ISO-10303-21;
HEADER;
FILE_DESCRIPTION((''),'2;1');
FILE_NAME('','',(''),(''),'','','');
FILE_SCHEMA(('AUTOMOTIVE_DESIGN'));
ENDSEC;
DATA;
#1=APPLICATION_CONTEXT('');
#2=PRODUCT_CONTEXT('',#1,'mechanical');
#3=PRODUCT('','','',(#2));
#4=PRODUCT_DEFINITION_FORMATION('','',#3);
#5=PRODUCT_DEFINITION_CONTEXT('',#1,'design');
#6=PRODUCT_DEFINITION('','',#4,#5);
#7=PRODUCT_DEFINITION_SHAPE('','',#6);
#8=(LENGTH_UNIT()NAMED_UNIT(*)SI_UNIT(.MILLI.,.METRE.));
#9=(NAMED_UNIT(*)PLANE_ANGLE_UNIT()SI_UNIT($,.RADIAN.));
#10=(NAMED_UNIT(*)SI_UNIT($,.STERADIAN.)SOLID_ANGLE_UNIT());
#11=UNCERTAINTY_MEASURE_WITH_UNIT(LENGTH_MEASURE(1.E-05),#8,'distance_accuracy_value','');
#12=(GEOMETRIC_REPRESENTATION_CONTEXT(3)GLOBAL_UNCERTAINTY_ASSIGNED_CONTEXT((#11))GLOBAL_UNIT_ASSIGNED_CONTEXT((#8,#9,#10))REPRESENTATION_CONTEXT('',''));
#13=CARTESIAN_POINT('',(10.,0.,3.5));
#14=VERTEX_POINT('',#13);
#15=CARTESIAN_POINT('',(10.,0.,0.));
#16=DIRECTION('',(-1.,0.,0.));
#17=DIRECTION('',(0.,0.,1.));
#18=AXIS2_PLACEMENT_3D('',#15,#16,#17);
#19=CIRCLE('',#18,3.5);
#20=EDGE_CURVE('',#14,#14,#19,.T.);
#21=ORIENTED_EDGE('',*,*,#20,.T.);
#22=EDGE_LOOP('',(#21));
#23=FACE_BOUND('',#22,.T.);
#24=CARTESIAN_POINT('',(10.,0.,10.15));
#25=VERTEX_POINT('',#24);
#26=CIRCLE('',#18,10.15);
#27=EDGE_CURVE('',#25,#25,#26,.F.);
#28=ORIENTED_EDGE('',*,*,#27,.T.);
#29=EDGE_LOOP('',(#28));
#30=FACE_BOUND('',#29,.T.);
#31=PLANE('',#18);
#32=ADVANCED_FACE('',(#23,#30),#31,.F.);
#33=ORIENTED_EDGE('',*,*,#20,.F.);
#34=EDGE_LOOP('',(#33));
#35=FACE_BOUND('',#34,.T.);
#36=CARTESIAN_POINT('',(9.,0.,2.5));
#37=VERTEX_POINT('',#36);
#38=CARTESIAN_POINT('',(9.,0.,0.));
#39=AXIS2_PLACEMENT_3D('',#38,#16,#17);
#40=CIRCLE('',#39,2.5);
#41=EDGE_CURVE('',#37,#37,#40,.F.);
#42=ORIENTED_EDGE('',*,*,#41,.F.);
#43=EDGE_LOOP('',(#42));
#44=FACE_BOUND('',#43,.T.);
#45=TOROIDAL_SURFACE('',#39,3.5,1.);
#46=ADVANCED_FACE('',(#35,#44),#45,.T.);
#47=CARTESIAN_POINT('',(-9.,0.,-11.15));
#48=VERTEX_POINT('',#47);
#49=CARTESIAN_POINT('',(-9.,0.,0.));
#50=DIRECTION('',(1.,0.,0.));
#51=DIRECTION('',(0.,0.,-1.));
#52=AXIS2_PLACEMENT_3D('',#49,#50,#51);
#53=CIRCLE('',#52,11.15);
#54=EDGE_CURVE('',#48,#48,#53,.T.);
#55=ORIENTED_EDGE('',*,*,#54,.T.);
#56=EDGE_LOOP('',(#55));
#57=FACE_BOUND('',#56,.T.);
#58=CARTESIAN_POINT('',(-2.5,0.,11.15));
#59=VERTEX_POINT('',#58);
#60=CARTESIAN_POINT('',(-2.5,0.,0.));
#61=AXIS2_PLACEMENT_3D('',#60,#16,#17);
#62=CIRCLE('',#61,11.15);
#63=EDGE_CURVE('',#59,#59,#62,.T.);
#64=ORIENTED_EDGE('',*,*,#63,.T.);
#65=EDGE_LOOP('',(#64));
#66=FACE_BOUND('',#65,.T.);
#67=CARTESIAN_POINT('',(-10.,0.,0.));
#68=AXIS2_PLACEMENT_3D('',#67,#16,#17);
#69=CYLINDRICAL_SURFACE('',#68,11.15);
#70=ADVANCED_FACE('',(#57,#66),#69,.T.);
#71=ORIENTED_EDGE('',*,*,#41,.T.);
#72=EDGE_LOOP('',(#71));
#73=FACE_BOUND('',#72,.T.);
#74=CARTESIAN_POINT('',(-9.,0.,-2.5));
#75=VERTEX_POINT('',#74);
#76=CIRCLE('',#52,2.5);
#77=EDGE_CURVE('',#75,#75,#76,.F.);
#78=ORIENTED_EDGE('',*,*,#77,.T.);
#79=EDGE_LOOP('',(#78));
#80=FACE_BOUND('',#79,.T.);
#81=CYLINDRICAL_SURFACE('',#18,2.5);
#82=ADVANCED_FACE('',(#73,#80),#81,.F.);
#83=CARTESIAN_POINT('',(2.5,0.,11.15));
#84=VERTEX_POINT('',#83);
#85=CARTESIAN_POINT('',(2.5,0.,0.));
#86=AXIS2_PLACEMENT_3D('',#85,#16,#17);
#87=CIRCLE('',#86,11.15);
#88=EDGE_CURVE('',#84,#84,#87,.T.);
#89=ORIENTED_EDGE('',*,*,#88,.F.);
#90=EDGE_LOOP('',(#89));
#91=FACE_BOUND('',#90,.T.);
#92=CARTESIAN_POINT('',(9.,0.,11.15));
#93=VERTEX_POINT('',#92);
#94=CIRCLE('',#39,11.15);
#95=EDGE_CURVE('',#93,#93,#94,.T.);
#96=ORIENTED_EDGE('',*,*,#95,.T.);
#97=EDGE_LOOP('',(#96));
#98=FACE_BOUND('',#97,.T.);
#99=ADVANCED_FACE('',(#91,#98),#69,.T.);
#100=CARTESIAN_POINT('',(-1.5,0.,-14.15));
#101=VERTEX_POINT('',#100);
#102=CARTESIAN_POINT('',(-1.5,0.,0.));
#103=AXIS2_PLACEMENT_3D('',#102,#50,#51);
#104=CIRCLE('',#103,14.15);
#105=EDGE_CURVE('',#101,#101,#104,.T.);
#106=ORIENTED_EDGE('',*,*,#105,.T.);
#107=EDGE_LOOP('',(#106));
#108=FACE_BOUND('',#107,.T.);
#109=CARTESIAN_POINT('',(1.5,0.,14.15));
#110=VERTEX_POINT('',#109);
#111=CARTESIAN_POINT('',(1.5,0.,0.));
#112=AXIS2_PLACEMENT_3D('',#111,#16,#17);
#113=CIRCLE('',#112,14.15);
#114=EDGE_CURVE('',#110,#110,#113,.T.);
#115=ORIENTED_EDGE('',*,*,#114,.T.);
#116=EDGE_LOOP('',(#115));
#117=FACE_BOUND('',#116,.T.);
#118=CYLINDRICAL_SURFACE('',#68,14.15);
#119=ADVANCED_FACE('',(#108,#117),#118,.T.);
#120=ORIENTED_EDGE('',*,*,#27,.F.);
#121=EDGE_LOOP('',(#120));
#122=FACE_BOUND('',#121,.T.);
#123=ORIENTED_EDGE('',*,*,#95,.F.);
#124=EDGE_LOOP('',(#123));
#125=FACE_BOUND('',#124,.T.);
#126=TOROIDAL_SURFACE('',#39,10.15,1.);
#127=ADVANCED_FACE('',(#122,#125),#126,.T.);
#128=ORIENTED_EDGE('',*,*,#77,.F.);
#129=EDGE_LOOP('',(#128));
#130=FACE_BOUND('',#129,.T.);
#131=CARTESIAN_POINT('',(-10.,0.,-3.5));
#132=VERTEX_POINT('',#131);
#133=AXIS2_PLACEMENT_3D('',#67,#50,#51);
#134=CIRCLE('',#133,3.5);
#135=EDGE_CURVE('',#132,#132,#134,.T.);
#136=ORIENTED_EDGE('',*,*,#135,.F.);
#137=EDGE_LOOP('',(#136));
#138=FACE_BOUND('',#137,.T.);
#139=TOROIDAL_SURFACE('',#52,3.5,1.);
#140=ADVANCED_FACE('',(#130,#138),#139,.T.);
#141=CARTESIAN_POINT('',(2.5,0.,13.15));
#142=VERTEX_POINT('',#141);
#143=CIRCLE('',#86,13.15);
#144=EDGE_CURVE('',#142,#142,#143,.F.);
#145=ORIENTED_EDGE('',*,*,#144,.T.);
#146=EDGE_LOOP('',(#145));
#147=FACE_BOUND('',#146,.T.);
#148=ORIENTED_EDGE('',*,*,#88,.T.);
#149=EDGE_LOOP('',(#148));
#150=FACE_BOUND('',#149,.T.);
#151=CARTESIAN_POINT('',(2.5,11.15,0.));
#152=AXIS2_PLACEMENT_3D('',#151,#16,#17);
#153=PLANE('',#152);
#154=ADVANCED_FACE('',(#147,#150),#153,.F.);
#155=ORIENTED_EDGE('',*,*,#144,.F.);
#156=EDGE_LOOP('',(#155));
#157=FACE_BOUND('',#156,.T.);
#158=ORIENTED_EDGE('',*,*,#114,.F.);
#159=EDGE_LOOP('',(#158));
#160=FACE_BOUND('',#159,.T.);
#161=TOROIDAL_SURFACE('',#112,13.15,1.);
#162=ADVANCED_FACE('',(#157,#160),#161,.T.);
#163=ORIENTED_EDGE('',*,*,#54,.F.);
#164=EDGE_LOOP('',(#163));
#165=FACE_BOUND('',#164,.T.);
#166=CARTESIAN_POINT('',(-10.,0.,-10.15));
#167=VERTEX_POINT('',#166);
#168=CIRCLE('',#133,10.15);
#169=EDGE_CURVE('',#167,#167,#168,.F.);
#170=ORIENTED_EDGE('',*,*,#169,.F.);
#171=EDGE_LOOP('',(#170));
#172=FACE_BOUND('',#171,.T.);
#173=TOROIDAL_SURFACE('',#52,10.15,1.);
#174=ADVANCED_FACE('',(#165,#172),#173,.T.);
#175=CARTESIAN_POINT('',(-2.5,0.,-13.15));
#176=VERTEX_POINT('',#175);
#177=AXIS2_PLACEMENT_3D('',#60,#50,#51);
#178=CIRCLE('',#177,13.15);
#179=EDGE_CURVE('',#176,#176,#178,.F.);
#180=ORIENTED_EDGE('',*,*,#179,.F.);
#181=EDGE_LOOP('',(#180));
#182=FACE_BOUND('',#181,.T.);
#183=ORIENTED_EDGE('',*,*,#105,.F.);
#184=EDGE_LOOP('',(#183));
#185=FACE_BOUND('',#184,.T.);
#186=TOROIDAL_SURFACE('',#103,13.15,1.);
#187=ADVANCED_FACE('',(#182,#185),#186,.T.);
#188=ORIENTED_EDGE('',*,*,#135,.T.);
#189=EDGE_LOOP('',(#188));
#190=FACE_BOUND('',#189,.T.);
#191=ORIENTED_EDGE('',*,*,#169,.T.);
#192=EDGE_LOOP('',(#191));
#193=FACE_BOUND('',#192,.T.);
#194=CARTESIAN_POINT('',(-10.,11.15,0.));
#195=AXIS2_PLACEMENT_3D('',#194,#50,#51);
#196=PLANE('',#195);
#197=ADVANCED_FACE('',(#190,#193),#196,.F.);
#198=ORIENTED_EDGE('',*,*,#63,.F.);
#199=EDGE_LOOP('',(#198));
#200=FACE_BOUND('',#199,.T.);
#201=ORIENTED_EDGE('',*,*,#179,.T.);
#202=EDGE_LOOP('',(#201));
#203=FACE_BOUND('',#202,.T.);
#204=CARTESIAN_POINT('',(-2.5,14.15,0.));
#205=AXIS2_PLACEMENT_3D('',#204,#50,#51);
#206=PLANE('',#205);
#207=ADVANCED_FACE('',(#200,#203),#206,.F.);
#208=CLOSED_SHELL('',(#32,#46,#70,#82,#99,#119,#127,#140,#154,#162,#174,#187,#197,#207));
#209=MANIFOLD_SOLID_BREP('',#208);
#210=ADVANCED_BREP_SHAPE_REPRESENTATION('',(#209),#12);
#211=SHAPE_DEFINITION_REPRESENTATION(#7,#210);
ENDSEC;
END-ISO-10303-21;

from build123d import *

# Parameters (mm, degrees)
CONG_1_R                = 1
ESQUISSE7_R             = 2.5
ENL_V_MAT_EXTRU_3_DEPTH = 20
CONG_2_R                = 1


with BuildPart() as part:
    # Esquisse1 → Révolution1 (revolve)
    with BuildSketch(Plane.XY, mode=Mode.PRIVATE) as r_volution1_sk:
        Polygon((-10, 0), (10, 0), (10, 11.15), (2.5, 11.15), (2.5, 14.15), (-2.5, 14.15), (-2.5, 11.15), (-10, 11.15), align=None)
    revolve(r_volution1_sk.sketch.rotate(Axis((-10, 0, 0), (1, 0, 0)), 90), axis=Axis((-10, 0, 0), (1, 0, 0)))

    # Congé1
    cong_1_edges = [part.edges().sort_by_distance(p)[0] for p in [
        (-10, 0, -11.15),
        (-2.5, 0, -14.15),
        (2.5, 0, -14.15),
        (10, 0, -11.15),
    ]]
    fillet(cong_1_edges, radius=CONG_1_R)

    # Esquisse7 → Enlèv. mat.-Extru.3 (cut)
    with BuildSketch(Plane.ZY.offset(10)):
        Circle(ESQUISSE7_R)
    extrude(amount=-ENL_V_MAT_EXTRU_3_DEPTH, mode=Mode.SUBTRACT)

    # Congé2
    cong_2_edges = [part.edges().sort_by_distance(p)[0] for p in [
        (10, 0, -2.5),
        (-10, 0, -2.5),
    ]]
    fillet(cong_2_edges, radius=CONG_2_R)


solid = part.part
